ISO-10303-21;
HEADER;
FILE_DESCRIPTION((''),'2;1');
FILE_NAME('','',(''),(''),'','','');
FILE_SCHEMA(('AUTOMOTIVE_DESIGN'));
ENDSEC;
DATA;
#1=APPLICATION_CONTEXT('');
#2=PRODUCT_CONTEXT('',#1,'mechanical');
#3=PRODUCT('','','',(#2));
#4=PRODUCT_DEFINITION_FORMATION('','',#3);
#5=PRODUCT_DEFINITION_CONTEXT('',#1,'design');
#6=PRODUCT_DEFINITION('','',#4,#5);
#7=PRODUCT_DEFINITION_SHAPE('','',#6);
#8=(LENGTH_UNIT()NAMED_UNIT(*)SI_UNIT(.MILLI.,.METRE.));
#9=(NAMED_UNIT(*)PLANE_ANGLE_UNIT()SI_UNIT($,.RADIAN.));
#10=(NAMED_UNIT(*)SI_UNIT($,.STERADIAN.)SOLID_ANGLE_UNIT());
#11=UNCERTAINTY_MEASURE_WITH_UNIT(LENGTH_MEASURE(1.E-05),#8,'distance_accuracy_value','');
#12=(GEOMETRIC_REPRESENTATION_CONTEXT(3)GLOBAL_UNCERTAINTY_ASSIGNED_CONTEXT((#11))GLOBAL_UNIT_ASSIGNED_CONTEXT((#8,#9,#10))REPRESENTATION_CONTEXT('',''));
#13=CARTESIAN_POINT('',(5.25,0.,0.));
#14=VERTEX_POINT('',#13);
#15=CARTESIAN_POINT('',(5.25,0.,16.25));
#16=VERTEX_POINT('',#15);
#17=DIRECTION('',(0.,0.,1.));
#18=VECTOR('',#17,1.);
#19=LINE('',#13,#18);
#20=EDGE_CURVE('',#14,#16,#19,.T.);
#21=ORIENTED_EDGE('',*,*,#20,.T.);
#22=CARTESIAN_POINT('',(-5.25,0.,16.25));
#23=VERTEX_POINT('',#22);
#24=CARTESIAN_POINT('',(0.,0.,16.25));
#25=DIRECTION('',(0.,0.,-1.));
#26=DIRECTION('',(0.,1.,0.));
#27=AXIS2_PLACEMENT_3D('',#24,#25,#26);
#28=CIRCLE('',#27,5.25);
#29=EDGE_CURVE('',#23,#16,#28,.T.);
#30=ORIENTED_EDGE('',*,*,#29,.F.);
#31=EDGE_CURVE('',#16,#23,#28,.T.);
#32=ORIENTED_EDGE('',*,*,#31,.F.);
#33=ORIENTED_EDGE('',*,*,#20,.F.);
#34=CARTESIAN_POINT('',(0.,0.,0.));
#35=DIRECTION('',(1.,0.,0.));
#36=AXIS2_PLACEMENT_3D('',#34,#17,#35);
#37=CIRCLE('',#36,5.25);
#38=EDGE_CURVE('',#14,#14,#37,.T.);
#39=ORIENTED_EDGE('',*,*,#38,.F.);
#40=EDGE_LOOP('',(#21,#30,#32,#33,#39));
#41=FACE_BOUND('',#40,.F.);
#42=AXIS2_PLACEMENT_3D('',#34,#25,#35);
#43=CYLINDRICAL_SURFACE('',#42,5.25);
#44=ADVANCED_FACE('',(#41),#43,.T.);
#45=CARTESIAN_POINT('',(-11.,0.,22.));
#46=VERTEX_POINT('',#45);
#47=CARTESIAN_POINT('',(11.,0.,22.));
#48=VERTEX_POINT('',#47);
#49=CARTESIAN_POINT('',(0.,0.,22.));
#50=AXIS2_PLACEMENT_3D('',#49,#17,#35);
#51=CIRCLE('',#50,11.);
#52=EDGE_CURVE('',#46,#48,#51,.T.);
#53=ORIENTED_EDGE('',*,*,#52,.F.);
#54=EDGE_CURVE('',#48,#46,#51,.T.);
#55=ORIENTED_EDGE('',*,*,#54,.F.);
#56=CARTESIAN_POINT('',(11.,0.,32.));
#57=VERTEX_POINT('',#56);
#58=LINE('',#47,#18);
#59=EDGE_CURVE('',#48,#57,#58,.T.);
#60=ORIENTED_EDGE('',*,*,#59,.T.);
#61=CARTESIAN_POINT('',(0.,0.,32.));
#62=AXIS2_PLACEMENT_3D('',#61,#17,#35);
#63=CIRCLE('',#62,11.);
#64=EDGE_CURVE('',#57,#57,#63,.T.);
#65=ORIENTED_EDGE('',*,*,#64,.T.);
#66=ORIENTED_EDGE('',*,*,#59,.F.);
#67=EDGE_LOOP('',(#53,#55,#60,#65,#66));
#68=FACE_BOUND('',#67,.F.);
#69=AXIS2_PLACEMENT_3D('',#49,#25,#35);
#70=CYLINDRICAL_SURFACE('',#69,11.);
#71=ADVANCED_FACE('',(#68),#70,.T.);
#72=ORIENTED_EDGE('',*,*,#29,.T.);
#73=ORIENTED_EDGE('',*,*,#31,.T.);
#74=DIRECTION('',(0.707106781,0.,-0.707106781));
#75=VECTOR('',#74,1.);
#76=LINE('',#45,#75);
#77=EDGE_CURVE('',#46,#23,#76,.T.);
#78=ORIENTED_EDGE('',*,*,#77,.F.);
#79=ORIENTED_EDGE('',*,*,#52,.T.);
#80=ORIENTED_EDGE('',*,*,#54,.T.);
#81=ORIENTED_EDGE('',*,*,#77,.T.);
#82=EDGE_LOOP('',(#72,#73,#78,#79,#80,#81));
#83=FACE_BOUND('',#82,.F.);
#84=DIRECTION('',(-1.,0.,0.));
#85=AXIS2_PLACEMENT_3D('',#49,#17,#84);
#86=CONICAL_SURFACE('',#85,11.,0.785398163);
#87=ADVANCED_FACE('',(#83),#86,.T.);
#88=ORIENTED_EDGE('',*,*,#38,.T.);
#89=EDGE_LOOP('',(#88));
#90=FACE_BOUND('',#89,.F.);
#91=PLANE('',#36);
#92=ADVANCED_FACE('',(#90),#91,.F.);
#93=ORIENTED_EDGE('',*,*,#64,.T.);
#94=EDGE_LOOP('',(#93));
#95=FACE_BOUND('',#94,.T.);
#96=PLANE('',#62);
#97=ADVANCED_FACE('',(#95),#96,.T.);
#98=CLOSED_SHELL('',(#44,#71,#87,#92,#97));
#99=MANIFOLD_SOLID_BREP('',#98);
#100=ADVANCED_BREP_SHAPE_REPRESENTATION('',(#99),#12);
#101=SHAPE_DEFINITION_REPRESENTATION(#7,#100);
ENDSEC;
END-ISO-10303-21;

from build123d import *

# Parameters (mm, degrees)
F2_R     = 5.25
F3_DEPTH = 22
F5_START = 22
F4_R     = 11
F5_DEPTH = 10


with BuildPart() as f3:
    # F2 (on Top) → F3 (new body)
    with BuildSketch(Plane.XY):
        Circle(F2_R)
    extrude(amount=F3_DEPTH)

    # F4 (on Top) → F5 (join)
    with BuildSketch(Plane.XY.offset(F5_START)):
        Circle(F4_R)
    extrude(amount=F5_DEPTH)

    # F6 (on Front) → F7 (revolve)
    with BuildSketch(Plane.XZ):
        Polygon((0, 11), (0, 22), (-11, 22), align=None)
    revolve(axis=Axis((0, 0, 16.5), (0, 0, 1)))


solid = f3.part
